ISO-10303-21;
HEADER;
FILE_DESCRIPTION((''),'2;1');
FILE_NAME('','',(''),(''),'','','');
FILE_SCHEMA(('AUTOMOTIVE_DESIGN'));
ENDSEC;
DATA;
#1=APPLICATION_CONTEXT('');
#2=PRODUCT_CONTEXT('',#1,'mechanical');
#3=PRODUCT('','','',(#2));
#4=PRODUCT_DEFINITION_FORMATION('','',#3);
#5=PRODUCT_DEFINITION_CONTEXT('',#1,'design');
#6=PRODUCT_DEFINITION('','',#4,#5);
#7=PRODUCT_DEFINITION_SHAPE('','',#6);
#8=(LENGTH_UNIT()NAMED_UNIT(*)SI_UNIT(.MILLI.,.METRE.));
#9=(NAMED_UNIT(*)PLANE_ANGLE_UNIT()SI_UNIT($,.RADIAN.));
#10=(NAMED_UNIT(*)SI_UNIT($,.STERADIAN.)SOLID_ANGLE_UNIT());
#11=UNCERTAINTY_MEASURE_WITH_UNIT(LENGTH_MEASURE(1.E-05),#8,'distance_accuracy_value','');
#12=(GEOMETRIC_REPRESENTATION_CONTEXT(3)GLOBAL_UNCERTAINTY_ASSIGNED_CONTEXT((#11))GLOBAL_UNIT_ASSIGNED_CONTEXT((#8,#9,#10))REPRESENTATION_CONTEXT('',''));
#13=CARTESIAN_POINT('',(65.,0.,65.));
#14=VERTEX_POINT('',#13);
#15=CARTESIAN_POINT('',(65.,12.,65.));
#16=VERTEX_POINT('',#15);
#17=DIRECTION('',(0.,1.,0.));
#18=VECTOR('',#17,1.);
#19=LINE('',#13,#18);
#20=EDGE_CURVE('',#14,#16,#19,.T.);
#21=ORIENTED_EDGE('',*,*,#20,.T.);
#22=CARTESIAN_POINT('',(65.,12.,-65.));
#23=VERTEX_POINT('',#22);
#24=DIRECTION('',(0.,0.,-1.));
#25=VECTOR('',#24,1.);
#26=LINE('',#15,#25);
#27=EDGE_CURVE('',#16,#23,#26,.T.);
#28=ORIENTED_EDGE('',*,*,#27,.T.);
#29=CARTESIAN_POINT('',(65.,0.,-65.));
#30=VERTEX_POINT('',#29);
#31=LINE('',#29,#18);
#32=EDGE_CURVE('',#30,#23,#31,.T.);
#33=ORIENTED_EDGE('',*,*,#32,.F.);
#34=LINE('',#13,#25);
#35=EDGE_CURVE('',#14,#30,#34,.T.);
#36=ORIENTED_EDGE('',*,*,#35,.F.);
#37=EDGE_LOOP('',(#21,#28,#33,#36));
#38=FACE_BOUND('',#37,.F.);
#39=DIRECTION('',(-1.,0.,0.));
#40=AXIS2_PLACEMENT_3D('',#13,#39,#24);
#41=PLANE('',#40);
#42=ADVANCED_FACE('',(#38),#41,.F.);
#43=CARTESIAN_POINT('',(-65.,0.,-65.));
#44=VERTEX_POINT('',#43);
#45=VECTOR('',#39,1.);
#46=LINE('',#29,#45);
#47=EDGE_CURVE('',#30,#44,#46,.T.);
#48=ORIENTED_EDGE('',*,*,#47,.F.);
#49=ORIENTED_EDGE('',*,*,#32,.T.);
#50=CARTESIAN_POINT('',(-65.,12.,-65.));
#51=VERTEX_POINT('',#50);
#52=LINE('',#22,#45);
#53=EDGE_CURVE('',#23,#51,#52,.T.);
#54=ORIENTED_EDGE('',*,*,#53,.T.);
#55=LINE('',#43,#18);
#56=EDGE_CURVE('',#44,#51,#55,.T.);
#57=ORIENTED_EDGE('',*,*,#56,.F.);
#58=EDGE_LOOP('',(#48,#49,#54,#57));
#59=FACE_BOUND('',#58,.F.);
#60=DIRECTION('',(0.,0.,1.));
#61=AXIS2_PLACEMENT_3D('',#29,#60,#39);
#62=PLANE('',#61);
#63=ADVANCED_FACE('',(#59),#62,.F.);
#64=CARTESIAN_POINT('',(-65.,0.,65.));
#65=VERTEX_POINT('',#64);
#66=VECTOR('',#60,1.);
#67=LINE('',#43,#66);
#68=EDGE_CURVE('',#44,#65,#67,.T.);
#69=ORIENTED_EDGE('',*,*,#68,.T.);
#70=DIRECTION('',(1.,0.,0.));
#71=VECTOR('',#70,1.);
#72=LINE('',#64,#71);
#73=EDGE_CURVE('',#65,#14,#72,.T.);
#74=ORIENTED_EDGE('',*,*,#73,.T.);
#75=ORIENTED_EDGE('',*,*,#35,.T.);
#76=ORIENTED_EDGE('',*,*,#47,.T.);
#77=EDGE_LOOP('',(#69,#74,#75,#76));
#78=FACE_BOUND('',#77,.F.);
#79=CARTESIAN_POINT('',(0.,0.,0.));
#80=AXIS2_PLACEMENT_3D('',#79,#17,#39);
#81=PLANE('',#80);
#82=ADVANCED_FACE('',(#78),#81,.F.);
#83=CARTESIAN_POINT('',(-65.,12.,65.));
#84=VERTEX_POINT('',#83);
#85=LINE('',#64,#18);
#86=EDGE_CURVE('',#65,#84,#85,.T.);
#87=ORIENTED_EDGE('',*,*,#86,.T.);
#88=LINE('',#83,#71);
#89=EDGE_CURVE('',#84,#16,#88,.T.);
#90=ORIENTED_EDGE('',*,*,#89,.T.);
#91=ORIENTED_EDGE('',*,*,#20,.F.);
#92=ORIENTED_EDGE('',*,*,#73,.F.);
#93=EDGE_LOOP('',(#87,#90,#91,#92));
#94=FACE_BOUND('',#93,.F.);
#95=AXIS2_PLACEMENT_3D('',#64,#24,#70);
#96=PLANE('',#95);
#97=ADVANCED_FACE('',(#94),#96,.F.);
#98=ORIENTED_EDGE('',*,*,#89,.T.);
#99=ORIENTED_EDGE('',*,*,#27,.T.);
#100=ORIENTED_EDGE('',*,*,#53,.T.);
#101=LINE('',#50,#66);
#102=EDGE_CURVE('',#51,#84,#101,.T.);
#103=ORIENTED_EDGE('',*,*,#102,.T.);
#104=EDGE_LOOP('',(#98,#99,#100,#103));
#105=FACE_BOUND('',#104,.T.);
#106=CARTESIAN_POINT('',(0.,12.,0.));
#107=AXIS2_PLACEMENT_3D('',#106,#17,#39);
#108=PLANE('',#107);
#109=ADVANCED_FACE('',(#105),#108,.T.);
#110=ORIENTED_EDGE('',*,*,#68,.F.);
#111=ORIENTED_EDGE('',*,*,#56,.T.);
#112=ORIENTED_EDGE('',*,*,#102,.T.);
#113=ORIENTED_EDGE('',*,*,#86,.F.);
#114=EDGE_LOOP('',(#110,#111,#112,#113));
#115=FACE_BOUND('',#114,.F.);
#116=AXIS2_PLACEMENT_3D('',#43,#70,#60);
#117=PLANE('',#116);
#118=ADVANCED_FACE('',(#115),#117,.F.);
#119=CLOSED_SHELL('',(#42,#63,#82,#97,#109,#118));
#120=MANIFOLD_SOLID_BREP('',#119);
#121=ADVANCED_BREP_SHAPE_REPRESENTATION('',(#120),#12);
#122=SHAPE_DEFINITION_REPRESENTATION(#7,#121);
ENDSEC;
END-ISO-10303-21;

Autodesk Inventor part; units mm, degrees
ref_plane "YZ Plane" through (0, 0, 0) normal (1, 0, 0) x (0, 1, 0)
ref_plane "XZ Plane" through (0, 0, 0) normal (0, 1, 0) x (-1, 0, 0)
ref_plane "XY Plane" through (0, 0, 0) normal (0, 0, 1) x (1, 0, 0)
sketch "Skizze1" plane through (0, 0, 0) normal (0, 1, 0) x (-1, 0, 0)
  line L0 (-65, -65) -> (65, -65)
  line L1 (65, -65) -> (65, 65)
  line L2 (65, 65) -> (-65, 65)
  line L3 (-65, 65) -> (-65, -65)
  line L4 (-65, -65) -> (65, 65) construction
  line L5 (65, -65) -> (-65, 65) construction
  point P0 (0, 0)
  dimension "d0" = 130
extrude "Extrusion1" add sketch "Skizze1" along normal blind 12
properties part number "Adapter_Plate_12mm"
